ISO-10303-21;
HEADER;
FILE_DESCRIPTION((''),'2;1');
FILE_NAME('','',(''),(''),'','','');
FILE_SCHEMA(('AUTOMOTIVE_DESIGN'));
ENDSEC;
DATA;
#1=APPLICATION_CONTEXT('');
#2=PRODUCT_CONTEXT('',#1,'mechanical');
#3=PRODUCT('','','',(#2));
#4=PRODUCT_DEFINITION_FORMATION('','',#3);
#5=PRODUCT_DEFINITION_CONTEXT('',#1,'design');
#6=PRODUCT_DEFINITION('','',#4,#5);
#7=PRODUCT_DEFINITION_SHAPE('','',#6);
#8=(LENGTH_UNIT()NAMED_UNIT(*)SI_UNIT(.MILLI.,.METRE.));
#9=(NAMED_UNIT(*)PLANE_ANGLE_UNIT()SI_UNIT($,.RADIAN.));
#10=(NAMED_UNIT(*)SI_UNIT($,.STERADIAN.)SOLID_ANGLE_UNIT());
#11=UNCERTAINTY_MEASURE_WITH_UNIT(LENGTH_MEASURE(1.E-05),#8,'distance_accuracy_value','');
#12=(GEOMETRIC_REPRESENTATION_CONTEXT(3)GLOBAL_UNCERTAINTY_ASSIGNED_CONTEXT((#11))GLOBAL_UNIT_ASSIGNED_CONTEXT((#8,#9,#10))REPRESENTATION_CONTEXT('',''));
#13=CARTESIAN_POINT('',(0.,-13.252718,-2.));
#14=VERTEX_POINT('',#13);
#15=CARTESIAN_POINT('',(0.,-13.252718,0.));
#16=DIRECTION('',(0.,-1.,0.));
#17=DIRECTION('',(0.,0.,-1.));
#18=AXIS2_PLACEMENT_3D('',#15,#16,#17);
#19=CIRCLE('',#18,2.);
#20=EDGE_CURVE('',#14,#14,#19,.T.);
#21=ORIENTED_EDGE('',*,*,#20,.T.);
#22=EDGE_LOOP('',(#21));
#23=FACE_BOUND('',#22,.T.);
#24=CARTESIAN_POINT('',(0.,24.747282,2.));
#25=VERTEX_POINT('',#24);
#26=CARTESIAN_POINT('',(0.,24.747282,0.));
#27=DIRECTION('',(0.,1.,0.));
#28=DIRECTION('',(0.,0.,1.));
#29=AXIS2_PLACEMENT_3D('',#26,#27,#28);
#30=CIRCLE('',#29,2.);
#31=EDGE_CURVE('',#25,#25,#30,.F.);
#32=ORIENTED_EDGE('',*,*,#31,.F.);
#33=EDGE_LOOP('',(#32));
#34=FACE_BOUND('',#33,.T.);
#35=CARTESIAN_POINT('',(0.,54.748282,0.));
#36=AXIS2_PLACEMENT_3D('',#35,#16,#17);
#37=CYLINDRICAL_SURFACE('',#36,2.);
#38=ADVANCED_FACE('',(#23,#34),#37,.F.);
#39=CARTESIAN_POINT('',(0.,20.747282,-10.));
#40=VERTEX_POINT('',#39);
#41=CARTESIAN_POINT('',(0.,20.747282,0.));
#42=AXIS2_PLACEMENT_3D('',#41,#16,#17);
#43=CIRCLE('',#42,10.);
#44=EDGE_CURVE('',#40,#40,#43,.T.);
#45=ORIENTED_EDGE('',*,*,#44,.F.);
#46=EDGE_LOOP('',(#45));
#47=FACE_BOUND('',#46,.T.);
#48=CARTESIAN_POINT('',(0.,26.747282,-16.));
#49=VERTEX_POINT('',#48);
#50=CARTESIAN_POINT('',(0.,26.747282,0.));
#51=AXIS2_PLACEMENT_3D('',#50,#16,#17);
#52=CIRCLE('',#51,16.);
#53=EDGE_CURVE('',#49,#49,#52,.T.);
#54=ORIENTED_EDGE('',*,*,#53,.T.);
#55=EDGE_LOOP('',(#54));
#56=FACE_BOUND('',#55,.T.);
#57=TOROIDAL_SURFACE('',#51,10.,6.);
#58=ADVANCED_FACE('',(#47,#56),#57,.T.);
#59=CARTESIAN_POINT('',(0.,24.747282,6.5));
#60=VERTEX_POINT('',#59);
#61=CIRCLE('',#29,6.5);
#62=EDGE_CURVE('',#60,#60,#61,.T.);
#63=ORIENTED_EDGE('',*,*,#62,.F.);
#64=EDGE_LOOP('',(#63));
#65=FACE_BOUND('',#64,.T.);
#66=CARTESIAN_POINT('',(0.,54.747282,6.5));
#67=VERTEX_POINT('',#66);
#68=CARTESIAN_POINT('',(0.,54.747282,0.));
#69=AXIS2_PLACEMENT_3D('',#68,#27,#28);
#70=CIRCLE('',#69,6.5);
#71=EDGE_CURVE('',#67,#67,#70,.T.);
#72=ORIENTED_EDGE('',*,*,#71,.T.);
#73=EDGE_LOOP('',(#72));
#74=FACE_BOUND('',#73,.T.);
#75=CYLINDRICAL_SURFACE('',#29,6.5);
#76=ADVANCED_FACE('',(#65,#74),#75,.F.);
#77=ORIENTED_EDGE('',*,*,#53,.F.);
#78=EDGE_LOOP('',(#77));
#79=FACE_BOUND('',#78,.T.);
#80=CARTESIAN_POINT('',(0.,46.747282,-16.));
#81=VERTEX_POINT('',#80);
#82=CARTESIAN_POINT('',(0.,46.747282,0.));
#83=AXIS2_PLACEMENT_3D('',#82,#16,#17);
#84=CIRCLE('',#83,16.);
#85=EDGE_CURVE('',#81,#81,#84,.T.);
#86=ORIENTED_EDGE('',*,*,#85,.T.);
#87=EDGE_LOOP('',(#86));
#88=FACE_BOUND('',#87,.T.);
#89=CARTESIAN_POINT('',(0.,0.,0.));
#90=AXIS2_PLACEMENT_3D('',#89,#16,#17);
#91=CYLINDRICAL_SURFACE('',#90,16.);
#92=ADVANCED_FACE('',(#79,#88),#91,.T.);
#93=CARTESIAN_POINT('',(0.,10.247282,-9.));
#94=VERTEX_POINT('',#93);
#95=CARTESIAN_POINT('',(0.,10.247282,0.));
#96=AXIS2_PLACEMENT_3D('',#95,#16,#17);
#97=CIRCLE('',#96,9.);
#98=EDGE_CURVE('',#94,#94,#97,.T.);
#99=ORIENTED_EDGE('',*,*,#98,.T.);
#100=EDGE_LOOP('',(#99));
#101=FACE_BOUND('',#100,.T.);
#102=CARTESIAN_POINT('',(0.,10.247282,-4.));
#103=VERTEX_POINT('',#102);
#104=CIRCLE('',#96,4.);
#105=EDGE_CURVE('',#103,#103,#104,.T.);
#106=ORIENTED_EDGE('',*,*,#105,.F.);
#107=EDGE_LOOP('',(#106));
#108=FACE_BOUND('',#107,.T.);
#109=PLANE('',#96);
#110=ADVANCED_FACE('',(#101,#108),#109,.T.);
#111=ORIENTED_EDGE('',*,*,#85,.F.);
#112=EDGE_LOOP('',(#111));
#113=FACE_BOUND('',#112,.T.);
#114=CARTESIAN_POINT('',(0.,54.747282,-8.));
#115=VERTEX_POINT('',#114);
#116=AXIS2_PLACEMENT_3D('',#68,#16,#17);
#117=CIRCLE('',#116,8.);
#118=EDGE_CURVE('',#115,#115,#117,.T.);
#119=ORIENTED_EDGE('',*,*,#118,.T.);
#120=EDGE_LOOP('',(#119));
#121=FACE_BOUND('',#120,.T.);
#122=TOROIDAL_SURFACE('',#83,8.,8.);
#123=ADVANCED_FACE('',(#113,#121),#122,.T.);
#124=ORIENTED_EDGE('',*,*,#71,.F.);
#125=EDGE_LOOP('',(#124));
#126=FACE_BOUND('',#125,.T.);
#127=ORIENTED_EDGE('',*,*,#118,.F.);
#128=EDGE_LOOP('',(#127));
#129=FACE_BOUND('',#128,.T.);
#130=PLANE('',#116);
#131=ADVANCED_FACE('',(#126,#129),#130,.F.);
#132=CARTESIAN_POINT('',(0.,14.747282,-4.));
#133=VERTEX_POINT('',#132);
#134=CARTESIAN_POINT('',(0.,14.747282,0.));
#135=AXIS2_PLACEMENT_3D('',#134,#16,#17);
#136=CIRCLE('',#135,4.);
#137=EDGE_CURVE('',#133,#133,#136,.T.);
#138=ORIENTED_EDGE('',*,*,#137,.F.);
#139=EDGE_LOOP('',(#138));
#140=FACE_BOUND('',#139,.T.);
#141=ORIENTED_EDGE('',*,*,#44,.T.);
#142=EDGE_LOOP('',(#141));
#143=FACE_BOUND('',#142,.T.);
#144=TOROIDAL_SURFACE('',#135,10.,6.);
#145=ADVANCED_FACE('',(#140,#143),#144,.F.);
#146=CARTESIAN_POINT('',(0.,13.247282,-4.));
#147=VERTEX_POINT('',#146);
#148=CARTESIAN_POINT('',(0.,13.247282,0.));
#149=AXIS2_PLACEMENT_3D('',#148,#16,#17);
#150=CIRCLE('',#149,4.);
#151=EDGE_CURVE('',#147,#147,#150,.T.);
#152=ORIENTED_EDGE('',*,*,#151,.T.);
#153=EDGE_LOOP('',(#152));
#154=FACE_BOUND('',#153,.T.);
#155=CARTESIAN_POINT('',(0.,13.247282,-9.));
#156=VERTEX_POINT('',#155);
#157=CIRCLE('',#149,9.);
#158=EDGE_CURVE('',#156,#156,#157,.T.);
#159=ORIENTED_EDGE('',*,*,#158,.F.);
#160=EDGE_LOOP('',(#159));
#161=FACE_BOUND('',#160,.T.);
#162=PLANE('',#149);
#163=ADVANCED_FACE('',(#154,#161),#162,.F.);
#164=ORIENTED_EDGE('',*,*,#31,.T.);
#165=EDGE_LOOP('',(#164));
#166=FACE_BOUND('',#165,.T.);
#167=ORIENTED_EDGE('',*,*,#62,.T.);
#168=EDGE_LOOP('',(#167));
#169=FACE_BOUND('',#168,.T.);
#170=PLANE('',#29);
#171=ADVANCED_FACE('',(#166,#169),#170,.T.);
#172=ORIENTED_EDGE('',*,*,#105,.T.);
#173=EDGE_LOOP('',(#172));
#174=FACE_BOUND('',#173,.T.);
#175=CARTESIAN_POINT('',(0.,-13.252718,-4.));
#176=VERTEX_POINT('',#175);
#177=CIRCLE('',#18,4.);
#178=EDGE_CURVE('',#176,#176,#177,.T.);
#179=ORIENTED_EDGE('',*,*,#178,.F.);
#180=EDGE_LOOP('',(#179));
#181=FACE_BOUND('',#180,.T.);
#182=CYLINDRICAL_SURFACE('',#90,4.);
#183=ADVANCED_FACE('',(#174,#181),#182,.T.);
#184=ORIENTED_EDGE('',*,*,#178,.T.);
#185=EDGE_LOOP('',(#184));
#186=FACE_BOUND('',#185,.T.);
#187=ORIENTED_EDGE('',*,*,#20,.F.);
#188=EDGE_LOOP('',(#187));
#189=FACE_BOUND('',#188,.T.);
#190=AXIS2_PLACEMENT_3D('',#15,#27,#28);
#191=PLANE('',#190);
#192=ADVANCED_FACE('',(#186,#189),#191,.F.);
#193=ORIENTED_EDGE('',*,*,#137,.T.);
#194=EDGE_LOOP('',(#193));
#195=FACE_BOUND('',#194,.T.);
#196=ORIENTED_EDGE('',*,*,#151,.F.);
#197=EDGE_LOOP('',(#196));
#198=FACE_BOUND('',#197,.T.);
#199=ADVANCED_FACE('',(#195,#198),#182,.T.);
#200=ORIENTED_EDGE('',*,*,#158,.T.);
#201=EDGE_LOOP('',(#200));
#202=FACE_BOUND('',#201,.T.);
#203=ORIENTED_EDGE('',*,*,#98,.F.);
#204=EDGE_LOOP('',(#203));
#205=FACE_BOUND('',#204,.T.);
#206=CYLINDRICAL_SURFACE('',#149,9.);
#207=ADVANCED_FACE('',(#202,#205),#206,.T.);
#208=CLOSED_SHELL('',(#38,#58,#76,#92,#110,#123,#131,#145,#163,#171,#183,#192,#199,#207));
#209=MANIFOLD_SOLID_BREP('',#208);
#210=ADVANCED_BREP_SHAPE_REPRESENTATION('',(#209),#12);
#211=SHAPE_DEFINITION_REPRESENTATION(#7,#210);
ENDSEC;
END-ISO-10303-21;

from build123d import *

# Parameters (mm, degrees)
SKETCH_2_R          = 6.5
CUT_EXTRUDE_1_DEPTH = 30
CUT_EXTRUDE_2_REACH = 73.666
SKETCH_3_R          = 2
EXTRUDE_START       = -23.5
SKETCH_4_R          = 9
SKETCH_4_R_2        = 2
EXTRUDE_4_DEPTH     = 3


with BuildPart() as part:
    # 스케치1 → 회전2 (revolve)
    with BuildSketch(Plane.XY, mode=Mode.PRIVATE) as revolve_2_sk:
        with BuildLine():
            Line((0, 54.747282219), (-8, 54.747282219))
            ThreePointArc((-8, 54.747282219), (-13.656854249, 52.404136469), (-16, 46.747282219))
            Line((-16, 46.747282219), (-16, 26.747282219))
            ThreePointArc((-16, 26.747282219), (-14.242640687, 22.504641532), (-10, 20.747282219))
            ThreePointArc((-10, 20.747282219), (-5.757359313, 18.989922906), (-4, 14.747282219))
            Line((-4, 14.747282219), (-4, -13.252717781))
            Line((-4, -13.252717781), (0, -13.252717781))
            Line((0, -13.252717781), (0, 54.747282219))
        make_face()
    revolve(revolve_2_sk.sketch.rotate(Axis((0, 0, 0), (0, 1, 0)), 270), axis=Axis((0, 0, 0), (0, 1, 0)))

    # 스케치2 → 컷-돌출1 (cut)
    with BuildSketch(Plane(origin=(0, 54.747282219, 0), x_dir=(1, 0, 0), z_dir=(0, 1, 0))):
        with Locations(Location((0, 0, 0), (0, 0, 270))):
            Circle(SKETCH_2_R)
    extrude(amount=-CUT_EXTRUDE_1_DEPTH, mode=Mode.SUBTRACT)

    # 스케치3 → 컷-돌출2 (cut, up to next)
    with BuildSketch(Plane.XZ.offset(13.252717781), mode=Mode.PRIVATE) as cut_extrude_2_sk1:
        with Locations(Location((0, 0, 0), (0, 0, 270))):
            Circle(SKETCH_3_R)
    cut_extrude_2_tool1 = extrude(cut_extrude_2_sk1.sketch, amount=-CUT_EXTRUDE_2_REACH, mode=Mode.PRIVATE) & part.part
    add(cut_extrude_2_tool1.solids().sort_by_distance((0, -13.252718, 0))[0], mode=Mode.SUBTRACT)

    # 스케치4 → 보스-돌출4 (add)
    with BuildSketch(Plane.XZ.offset(13.252717781).offset(EXTRUDE_START)):
        with Locations(Location((0, 0, 0), (0, 0, 270))):
            Circle(SKETCH_4_R)
        with Locations(Location((0, 0, 0), (0, 0, 270))):
            Circle(SKETCH_4_R_2, mode=Mode.SUBTRACT)
    extrude(amount=-EXTRUDE_4_DEPTH)


solid = part.part
